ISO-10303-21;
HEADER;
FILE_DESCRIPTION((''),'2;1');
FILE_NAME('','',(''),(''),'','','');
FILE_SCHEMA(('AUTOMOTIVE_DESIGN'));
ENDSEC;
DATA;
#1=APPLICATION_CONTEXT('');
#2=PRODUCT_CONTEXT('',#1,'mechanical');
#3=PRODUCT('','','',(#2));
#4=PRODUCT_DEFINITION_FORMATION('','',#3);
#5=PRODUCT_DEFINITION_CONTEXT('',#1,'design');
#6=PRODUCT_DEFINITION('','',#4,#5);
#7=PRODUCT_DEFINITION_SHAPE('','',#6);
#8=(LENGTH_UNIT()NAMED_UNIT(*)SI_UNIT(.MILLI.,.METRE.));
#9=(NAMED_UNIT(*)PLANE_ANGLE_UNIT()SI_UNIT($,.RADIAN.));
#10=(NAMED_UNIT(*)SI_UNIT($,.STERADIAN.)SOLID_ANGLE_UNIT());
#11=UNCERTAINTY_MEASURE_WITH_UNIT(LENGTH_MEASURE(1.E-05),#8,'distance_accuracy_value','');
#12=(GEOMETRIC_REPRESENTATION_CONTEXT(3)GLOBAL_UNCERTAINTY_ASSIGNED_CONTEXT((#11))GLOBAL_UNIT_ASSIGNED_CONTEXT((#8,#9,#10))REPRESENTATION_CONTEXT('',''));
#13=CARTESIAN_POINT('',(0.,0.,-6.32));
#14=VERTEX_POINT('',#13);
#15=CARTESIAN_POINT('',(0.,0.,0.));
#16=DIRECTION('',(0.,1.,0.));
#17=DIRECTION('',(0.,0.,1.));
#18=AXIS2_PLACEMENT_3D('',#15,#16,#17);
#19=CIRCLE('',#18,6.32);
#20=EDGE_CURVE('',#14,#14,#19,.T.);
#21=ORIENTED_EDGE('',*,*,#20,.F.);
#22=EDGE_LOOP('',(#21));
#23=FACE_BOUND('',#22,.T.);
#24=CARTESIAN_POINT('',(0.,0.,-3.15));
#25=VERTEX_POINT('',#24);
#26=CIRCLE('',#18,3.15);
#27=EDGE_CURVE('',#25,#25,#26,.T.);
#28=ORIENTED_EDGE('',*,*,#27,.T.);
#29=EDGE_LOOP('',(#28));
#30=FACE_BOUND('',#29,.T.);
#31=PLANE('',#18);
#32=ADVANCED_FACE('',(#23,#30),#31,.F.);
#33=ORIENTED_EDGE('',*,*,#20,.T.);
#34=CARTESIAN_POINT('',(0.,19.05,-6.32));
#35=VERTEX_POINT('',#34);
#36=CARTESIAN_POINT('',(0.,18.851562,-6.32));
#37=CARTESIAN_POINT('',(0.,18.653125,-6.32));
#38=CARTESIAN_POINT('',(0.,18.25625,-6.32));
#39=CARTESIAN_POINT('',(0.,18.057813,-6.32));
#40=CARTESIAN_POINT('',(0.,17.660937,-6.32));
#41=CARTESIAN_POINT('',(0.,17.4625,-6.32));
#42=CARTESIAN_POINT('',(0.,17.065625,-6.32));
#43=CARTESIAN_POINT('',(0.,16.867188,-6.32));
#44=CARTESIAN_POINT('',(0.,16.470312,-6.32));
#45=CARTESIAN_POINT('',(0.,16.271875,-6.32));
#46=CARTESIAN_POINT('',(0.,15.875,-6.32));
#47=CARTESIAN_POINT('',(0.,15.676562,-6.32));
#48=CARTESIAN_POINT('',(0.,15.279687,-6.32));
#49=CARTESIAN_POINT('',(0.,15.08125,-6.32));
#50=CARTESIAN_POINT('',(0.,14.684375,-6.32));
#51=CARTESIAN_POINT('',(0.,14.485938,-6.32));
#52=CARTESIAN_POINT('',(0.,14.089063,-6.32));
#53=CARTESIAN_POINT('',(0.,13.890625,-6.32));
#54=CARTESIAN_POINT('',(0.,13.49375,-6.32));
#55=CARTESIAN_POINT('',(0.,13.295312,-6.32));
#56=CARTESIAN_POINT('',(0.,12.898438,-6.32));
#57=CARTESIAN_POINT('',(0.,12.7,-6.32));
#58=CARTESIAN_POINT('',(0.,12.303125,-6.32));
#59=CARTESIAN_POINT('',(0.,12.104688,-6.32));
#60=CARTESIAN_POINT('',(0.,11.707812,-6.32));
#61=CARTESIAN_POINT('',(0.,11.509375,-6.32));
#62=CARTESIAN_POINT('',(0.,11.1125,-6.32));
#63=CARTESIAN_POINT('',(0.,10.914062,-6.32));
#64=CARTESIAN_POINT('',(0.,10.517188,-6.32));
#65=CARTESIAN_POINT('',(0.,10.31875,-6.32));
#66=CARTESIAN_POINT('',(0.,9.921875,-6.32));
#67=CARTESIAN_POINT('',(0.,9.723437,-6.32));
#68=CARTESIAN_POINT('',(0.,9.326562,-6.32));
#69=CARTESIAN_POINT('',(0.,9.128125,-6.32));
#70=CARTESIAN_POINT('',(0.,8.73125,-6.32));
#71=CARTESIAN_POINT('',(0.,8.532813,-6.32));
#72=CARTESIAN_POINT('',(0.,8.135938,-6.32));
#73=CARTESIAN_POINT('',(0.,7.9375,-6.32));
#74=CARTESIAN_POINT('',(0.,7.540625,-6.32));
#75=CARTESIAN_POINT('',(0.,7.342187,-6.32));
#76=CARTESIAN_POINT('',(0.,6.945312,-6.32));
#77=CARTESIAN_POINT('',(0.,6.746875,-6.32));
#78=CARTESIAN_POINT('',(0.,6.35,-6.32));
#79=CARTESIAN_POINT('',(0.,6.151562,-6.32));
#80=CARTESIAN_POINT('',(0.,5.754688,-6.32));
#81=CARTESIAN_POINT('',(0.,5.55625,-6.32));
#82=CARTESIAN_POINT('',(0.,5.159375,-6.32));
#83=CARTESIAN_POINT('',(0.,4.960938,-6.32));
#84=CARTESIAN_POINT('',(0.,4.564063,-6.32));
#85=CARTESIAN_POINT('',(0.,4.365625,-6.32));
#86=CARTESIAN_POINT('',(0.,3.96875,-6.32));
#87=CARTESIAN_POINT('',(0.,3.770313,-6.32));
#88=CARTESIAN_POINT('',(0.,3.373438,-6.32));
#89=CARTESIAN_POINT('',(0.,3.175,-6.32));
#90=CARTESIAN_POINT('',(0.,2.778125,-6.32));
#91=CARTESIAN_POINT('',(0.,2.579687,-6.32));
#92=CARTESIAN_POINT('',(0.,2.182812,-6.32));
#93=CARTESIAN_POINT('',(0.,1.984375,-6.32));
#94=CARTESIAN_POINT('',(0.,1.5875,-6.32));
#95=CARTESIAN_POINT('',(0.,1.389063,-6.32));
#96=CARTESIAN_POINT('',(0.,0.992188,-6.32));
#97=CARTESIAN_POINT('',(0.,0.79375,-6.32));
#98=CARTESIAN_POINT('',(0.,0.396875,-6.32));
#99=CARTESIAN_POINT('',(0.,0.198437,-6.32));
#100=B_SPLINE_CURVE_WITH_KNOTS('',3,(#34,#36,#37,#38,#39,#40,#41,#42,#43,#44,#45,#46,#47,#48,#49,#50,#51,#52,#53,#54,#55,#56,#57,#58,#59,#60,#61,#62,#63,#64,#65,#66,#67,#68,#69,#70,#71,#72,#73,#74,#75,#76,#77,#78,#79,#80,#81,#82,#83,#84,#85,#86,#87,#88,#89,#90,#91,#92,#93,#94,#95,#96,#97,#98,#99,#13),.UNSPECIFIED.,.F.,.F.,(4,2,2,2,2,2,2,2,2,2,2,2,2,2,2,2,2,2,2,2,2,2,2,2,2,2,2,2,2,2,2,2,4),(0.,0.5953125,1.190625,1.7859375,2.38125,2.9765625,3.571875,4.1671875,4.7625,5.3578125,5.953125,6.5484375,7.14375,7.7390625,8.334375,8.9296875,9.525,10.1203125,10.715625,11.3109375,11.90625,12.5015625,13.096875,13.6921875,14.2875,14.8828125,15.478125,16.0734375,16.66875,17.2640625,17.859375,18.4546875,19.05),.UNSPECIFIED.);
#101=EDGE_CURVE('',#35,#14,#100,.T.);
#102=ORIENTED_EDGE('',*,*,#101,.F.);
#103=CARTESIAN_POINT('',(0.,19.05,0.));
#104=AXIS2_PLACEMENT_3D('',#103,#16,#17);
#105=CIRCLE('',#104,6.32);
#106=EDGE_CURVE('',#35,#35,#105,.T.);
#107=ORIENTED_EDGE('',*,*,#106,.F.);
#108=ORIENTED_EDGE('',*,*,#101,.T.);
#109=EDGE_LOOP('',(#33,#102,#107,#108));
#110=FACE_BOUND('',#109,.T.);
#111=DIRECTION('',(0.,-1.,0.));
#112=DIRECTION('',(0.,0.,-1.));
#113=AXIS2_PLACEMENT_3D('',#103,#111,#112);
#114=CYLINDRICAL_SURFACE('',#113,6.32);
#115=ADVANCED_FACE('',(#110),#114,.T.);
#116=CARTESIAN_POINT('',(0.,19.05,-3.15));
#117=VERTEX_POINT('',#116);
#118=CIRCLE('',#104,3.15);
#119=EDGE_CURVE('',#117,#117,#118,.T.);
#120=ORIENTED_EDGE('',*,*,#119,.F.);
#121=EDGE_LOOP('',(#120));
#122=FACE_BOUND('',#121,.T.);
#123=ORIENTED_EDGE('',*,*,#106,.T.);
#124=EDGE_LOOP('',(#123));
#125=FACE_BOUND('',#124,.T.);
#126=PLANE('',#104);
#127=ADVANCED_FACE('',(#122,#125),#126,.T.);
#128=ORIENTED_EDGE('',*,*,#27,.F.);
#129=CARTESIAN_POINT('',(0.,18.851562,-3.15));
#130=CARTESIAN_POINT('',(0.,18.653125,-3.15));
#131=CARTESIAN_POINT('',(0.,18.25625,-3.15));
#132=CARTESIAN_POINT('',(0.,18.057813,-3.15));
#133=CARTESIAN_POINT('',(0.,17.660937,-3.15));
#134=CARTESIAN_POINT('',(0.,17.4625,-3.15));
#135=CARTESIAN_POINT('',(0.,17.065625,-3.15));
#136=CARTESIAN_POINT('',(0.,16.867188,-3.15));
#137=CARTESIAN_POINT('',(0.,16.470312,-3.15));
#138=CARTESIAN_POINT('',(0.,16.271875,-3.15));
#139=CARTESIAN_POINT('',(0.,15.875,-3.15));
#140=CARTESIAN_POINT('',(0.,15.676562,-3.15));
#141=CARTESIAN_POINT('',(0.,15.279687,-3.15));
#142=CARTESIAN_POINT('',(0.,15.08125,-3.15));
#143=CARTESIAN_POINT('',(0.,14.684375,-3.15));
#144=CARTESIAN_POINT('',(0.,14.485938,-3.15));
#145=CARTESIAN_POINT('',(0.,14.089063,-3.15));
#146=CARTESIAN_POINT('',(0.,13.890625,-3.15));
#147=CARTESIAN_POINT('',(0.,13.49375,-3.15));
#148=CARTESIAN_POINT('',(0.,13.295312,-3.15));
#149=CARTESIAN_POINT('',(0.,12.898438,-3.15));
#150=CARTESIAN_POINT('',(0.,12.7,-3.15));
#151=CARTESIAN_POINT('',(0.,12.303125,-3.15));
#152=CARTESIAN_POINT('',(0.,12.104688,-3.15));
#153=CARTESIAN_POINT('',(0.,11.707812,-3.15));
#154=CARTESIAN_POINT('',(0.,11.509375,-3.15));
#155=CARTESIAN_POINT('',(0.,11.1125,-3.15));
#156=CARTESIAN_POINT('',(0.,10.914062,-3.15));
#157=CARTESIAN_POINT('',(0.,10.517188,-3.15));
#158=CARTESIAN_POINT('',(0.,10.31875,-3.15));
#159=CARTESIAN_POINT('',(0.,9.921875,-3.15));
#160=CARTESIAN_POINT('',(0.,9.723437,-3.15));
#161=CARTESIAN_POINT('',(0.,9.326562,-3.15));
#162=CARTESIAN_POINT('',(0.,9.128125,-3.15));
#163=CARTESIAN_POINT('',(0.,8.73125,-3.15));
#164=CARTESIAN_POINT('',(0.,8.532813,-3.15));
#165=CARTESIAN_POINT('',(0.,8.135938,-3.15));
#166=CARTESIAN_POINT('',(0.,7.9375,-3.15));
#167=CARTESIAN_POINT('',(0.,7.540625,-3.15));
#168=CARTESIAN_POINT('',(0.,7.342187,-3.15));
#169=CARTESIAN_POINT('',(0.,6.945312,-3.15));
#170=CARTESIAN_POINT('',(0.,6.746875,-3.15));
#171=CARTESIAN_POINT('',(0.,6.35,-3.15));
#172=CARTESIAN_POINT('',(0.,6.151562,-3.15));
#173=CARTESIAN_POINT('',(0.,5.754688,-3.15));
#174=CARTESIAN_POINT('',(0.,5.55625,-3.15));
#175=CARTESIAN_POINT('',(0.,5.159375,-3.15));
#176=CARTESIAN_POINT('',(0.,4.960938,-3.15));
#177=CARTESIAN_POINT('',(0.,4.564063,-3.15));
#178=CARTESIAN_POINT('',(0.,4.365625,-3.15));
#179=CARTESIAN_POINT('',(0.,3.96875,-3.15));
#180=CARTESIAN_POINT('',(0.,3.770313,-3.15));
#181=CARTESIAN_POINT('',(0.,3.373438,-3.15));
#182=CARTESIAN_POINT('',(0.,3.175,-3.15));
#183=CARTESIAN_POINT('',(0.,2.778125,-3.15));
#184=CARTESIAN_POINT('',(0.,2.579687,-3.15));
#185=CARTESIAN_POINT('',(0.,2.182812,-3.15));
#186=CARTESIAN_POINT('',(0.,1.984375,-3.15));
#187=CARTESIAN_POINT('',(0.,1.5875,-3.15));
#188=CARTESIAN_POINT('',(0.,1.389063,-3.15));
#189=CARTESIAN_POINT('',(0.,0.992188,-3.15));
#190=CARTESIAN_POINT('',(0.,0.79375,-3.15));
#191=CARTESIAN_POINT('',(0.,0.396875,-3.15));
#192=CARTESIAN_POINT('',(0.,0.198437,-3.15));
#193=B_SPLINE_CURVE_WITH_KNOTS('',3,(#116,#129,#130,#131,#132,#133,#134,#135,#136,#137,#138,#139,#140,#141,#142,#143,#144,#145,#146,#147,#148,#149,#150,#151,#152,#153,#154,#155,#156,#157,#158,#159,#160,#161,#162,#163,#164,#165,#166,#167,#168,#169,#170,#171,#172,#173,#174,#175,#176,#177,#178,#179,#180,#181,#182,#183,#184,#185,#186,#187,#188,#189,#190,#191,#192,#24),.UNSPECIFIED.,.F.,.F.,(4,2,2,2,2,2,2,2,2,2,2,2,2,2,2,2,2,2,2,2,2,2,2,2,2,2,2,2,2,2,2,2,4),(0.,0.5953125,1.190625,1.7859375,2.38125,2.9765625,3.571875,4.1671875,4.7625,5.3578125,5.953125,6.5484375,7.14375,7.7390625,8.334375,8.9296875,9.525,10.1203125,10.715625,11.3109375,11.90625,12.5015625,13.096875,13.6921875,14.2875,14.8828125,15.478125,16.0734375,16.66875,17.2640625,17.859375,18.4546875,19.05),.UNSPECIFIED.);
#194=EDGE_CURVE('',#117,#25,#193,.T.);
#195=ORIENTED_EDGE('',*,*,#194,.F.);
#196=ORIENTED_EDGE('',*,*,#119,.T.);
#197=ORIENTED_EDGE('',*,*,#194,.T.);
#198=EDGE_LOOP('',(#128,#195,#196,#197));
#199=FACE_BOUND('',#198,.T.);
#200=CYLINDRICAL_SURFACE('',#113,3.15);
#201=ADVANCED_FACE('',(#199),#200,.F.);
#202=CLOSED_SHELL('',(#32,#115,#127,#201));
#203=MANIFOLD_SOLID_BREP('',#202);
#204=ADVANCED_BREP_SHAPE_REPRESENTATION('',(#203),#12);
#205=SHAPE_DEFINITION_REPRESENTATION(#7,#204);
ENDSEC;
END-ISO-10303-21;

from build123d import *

# Parameters (mm, degrees)
SKETCH1_R        = 6.32
SKETCH1_R_2      = 3.15
EXTRUSION1_DEPTH = 19.05


with BuildPart() as part:
    # Sketch1 → Extrusion1 (new body)
    with BuildSketch(Plane(origin=(0, 0, 0), x_dir=(-1, 0, 0), z_dir=(0, 1, 0))):
        with Locations(Location((0, 0, 0), (0, 0, 270))):
            Circle(SKETCH1_R)
        with Locations(Location((0, 0, 0), (0, 0, 270))):
            Circle(SKETCH1_R_2, mode=Mode.SUBTRACT)
    extrude(amount=EXTRUSION1_DEPTH)


solid = part.part
